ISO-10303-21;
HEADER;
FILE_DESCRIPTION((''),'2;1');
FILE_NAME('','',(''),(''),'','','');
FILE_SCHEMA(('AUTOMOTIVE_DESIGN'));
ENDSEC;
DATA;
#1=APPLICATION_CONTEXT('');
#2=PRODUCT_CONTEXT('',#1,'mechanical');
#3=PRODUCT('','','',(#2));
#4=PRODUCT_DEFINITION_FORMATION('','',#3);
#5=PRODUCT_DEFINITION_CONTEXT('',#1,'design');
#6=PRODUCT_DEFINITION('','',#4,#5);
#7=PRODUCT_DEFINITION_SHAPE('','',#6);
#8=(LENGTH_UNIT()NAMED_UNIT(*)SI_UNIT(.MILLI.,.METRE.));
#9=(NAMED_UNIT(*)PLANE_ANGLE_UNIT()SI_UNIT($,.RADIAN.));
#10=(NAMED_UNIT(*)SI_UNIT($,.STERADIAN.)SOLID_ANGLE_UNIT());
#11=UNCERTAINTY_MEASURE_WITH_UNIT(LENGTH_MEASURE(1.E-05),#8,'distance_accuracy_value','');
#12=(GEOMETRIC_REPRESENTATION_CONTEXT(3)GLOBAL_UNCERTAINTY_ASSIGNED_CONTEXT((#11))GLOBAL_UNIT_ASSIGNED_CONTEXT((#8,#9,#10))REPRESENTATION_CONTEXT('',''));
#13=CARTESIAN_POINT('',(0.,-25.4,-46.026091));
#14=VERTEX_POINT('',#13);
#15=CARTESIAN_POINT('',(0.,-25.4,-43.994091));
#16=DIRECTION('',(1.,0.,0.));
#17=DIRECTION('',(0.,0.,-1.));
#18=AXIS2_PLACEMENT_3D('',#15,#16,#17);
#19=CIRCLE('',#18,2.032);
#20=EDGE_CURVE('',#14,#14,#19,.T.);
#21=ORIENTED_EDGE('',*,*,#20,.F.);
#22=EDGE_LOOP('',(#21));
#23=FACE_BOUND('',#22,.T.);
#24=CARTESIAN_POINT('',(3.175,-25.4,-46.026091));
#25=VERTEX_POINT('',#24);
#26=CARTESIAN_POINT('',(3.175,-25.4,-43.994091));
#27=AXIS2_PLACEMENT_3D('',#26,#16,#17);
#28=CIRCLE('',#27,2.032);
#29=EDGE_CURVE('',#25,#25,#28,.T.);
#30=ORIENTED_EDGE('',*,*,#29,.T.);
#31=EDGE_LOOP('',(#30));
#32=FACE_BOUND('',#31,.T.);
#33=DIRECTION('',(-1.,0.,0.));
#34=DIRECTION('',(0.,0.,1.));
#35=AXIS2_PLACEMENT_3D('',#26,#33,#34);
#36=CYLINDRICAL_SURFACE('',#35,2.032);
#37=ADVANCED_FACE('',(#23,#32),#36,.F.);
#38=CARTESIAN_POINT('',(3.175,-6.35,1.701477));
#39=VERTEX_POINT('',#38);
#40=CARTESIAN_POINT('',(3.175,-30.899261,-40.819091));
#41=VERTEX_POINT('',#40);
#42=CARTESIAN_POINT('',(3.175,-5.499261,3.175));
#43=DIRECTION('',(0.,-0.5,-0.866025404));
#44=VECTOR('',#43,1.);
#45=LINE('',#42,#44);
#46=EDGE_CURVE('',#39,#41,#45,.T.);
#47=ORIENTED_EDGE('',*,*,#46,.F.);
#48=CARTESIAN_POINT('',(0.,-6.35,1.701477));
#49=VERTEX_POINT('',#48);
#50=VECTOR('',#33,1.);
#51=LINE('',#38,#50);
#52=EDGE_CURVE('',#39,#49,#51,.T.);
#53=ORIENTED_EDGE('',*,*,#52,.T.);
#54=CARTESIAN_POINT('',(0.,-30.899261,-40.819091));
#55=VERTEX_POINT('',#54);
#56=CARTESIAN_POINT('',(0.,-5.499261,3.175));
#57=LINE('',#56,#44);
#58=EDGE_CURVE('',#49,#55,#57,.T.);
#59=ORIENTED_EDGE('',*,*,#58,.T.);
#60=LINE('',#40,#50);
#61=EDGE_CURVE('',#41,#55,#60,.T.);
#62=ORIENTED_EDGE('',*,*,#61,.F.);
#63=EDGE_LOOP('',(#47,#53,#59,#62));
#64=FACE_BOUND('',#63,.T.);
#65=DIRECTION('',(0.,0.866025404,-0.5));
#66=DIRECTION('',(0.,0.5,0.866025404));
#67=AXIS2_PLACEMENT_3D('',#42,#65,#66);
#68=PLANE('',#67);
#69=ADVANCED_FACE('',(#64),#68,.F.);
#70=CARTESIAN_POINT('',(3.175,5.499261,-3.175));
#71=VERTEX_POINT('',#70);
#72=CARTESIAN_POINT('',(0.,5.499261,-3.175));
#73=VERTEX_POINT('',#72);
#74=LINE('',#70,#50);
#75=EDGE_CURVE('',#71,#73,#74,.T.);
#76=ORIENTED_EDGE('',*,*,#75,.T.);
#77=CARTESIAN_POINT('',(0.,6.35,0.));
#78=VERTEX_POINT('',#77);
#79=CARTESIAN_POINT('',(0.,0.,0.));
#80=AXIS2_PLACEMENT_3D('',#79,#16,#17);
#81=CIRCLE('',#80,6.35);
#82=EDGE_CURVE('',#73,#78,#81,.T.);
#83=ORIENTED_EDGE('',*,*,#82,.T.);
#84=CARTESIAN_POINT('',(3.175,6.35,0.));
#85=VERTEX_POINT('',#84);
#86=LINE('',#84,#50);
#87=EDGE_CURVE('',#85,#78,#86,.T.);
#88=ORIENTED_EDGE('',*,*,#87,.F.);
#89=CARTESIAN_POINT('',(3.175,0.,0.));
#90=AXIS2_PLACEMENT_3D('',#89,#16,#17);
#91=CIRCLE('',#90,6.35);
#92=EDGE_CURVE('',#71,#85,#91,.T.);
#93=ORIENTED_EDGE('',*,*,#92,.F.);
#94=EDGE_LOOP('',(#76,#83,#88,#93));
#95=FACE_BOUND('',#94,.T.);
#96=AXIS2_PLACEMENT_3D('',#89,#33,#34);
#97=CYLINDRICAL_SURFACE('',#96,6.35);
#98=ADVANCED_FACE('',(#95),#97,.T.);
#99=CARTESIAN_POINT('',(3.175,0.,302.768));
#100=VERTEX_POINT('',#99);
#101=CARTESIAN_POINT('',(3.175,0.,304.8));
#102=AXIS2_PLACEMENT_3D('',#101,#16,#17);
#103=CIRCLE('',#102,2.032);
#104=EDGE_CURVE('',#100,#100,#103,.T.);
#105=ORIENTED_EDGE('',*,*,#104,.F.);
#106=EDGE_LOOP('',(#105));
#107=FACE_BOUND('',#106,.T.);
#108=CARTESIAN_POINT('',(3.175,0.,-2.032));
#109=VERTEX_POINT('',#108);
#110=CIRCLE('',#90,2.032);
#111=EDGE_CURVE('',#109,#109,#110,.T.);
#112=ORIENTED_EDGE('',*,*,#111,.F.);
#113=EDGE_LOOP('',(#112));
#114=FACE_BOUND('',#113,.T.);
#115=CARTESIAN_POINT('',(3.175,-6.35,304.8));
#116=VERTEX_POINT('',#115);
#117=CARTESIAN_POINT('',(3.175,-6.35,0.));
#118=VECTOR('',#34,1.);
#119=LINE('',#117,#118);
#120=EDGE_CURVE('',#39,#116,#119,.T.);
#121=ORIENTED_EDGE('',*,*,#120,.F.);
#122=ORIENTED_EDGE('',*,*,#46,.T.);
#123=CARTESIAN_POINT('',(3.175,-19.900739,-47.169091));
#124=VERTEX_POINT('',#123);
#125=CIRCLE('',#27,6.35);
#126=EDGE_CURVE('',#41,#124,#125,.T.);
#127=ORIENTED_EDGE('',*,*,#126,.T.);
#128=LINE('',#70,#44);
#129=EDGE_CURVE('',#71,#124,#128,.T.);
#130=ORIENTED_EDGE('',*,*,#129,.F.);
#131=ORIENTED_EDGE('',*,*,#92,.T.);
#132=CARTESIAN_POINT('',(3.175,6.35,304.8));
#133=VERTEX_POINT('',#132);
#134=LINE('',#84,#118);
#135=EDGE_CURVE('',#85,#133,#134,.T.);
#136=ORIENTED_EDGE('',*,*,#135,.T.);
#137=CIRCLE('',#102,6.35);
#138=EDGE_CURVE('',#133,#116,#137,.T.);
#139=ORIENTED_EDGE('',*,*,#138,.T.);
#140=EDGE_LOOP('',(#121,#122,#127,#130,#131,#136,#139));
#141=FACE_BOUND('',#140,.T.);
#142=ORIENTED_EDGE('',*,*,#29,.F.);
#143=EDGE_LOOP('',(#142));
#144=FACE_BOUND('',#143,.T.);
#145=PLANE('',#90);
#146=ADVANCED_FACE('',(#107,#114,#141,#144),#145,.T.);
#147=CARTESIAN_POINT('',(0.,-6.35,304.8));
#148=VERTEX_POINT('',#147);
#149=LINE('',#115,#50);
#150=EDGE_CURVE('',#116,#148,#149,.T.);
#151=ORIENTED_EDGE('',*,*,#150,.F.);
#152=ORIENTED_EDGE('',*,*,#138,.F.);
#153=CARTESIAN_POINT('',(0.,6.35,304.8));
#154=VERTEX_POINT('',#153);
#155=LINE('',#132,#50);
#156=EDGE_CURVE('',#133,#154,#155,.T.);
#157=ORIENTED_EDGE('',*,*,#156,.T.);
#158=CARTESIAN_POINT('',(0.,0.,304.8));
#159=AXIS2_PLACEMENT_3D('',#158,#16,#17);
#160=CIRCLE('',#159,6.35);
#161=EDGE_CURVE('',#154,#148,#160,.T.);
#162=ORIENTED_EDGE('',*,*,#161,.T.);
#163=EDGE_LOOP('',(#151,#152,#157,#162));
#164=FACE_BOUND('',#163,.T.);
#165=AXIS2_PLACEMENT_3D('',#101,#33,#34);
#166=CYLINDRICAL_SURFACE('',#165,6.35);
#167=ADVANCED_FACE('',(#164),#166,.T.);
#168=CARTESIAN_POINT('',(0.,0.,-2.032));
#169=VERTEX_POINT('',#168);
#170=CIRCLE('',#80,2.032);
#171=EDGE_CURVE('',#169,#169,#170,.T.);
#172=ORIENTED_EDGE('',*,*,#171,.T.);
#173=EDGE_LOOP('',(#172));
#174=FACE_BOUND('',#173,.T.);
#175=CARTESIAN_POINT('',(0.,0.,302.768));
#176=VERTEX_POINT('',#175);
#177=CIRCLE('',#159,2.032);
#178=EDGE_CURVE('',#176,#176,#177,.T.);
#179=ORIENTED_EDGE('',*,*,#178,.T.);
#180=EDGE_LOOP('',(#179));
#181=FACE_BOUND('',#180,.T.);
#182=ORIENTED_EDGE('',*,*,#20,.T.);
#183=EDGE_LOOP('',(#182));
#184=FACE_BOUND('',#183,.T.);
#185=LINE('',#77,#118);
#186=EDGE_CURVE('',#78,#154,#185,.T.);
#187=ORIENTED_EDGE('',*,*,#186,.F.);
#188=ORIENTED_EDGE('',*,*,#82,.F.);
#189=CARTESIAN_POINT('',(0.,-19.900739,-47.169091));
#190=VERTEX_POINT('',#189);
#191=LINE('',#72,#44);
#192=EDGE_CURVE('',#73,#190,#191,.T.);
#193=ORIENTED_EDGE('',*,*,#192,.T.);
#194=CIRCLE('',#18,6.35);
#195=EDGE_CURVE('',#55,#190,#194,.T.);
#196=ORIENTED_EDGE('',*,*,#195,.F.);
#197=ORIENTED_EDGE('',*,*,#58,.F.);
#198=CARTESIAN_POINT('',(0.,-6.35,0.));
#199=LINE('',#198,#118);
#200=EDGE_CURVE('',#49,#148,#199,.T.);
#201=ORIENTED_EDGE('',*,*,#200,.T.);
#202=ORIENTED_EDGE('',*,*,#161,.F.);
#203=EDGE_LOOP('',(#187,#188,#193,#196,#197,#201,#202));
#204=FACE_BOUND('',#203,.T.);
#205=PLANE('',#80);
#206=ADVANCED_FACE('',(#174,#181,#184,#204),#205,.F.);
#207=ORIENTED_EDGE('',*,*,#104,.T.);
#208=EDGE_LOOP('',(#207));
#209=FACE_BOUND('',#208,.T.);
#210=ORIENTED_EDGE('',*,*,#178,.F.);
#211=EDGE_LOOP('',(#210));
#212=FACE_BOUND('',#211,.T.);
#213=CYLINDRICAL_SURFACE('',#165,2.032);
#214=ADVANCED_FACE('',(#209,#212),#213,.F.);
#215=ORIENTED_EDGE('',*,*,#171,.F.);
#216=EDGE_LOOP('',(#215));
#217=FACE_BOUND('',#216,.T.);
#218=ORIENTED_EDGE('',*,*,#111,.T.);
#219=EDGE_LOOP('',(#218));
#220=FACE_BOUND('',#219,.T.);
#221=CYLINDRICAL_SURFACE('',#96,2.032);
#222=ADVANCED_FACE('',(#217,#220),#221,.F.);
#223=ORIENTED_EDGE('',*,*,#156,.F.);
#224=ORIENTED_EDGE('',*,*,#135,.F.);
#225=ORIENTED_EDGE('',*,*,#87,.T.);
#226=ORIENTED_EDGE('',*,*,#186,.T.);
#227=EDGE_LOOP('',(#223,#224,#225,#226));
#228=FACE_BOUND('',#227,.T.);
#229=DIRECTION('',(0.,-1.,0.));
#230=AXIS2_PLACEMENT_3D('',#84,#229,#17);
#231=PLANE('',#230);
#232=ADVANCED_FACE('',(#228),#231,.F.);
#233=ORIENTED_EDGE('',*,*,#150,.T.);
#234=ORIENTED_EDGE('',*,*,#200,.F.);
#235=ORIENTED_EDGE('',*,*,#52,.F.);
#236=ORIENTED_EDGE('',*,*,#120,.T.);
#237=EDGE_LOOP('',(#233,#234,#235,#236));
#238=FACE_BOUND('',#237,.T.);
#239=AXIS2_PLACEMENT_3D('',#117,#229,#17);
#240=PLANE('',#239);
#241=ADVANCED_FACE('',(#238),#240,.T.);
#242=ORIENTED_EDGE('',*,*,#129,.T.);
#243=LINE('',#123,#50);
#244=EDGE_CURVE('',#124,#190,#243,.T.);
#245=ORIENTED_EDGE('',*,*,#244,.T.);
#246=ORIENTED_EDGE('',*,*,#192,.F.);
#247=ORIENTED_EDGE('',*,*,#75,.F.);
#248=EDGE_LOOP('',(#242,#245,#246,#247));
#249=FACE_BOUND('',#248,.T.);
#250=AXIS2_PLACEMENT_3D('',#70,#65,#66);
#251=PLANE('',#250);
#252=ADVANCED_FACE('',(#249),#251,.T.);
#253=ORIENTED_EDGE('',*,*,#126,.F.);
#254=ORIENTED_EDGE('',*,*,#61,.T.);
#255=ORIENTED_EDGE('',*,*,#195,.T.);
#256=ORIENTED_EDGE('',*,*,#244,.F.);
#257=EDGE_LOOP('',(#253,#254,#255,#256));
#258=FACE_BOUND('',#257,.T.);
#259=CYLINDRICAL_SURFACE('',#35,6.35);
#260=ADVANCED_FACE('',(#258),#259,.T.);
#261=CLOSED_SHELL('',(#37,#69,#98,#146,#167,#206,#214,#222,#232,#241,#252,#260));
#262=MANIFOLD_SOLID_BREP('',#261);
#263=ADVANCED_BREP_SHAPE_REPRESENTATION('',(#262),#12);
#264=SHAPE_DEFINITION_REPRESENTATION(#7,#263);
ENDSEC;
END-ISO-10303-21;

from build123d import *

# Parameters (mm, degrees)
SKETCH1_R           = 2.032
BOSS_EXTRUDE1_DEPTH = 3.175


with BuildPart() as part:
    # Sketch1 → Boss-Extrude1 (new body)
    # profile 1 of 3: a face of its own
    with BuildSketch(Plane(origin=(0, 0, 0), x_dir=(0, 0, -1), z_dir=(1, 0, 0))):
        with BuildLine():
            Line((47.169090512, -19.900738686), (3.175, 5.499261314))
            ThreePointArc((3.175, 5.499261314), (6.133628997, -1.643500936), (0, -6.35))
            Line((0, -6.35), (-1.701477372, -6.35))
            Line((-1.701477372, -6.35), (40.819090512, -30.899261314))
            ThreePointArc((40.819090512, -30.899261314), (49.493351826, -28.575), (47.169090512, -19.900738686))
        make_face()
        with Locations((43.994090512, -25.4)):
            Circle(SKETCH1_R, mode=Mode.SUBTRACT)
    # profile 2 of 3: a face of its own
    with BuildSketch(Plane(origin=(0, 0, 0), x_dir=(0, 0, -1), z_dir=(1, 0, 0))):
        with BuildLine():
            ThreePointArc((0, -6.35), (6.133628997, -1.643500936), (3.175, 5.499261314))
            ThreePointArc((3.175, 5.499261314), (1.643500936, 6.133628997), (0, 6.35))
            ThreePointArc((0, 6.35), (-6.133628997, 1.643500936), (-3.175, -5.499261314))
            Line((-3.175, -5.499261314), (-1.701477372, -6.35))
            Line((-1.701477372, -6.35), (0, -6.35))
        make_face()
        Circle(SKETCH1_R, mode=Mode.SUBTRACT)
    # profile 3 of 3: a face of its own
    with BuildSketch(Plane(origin=(0, 0, 0), x_dir=(0, 0, -1), z_dir=(1, 0, 0))):
        with BuildLine():
            ThreePointArc((-3.175, -5.499261314), (-6.133628997, 1.643500936), (0, 6.35))
            Line((0, 6.35), (-304.8, 6.35))
            ThreePointArc((-304.8, 6.35), (-311.15, 0), (-304.8, -6.35))
            Line((-304.8, -6.35), (-1.701477372, -6.35))
            Line((-1.701477372, -6.35), (-3.175, -5.499261314))
        make_face()
        with Locations((-304.8, 0)):
            Circle(SKETCH1_R, mode=Mode.SUBTRACT)
    extrude(amount=BOSS_EXTRUDE1_DEPTH)


solid = part.part
